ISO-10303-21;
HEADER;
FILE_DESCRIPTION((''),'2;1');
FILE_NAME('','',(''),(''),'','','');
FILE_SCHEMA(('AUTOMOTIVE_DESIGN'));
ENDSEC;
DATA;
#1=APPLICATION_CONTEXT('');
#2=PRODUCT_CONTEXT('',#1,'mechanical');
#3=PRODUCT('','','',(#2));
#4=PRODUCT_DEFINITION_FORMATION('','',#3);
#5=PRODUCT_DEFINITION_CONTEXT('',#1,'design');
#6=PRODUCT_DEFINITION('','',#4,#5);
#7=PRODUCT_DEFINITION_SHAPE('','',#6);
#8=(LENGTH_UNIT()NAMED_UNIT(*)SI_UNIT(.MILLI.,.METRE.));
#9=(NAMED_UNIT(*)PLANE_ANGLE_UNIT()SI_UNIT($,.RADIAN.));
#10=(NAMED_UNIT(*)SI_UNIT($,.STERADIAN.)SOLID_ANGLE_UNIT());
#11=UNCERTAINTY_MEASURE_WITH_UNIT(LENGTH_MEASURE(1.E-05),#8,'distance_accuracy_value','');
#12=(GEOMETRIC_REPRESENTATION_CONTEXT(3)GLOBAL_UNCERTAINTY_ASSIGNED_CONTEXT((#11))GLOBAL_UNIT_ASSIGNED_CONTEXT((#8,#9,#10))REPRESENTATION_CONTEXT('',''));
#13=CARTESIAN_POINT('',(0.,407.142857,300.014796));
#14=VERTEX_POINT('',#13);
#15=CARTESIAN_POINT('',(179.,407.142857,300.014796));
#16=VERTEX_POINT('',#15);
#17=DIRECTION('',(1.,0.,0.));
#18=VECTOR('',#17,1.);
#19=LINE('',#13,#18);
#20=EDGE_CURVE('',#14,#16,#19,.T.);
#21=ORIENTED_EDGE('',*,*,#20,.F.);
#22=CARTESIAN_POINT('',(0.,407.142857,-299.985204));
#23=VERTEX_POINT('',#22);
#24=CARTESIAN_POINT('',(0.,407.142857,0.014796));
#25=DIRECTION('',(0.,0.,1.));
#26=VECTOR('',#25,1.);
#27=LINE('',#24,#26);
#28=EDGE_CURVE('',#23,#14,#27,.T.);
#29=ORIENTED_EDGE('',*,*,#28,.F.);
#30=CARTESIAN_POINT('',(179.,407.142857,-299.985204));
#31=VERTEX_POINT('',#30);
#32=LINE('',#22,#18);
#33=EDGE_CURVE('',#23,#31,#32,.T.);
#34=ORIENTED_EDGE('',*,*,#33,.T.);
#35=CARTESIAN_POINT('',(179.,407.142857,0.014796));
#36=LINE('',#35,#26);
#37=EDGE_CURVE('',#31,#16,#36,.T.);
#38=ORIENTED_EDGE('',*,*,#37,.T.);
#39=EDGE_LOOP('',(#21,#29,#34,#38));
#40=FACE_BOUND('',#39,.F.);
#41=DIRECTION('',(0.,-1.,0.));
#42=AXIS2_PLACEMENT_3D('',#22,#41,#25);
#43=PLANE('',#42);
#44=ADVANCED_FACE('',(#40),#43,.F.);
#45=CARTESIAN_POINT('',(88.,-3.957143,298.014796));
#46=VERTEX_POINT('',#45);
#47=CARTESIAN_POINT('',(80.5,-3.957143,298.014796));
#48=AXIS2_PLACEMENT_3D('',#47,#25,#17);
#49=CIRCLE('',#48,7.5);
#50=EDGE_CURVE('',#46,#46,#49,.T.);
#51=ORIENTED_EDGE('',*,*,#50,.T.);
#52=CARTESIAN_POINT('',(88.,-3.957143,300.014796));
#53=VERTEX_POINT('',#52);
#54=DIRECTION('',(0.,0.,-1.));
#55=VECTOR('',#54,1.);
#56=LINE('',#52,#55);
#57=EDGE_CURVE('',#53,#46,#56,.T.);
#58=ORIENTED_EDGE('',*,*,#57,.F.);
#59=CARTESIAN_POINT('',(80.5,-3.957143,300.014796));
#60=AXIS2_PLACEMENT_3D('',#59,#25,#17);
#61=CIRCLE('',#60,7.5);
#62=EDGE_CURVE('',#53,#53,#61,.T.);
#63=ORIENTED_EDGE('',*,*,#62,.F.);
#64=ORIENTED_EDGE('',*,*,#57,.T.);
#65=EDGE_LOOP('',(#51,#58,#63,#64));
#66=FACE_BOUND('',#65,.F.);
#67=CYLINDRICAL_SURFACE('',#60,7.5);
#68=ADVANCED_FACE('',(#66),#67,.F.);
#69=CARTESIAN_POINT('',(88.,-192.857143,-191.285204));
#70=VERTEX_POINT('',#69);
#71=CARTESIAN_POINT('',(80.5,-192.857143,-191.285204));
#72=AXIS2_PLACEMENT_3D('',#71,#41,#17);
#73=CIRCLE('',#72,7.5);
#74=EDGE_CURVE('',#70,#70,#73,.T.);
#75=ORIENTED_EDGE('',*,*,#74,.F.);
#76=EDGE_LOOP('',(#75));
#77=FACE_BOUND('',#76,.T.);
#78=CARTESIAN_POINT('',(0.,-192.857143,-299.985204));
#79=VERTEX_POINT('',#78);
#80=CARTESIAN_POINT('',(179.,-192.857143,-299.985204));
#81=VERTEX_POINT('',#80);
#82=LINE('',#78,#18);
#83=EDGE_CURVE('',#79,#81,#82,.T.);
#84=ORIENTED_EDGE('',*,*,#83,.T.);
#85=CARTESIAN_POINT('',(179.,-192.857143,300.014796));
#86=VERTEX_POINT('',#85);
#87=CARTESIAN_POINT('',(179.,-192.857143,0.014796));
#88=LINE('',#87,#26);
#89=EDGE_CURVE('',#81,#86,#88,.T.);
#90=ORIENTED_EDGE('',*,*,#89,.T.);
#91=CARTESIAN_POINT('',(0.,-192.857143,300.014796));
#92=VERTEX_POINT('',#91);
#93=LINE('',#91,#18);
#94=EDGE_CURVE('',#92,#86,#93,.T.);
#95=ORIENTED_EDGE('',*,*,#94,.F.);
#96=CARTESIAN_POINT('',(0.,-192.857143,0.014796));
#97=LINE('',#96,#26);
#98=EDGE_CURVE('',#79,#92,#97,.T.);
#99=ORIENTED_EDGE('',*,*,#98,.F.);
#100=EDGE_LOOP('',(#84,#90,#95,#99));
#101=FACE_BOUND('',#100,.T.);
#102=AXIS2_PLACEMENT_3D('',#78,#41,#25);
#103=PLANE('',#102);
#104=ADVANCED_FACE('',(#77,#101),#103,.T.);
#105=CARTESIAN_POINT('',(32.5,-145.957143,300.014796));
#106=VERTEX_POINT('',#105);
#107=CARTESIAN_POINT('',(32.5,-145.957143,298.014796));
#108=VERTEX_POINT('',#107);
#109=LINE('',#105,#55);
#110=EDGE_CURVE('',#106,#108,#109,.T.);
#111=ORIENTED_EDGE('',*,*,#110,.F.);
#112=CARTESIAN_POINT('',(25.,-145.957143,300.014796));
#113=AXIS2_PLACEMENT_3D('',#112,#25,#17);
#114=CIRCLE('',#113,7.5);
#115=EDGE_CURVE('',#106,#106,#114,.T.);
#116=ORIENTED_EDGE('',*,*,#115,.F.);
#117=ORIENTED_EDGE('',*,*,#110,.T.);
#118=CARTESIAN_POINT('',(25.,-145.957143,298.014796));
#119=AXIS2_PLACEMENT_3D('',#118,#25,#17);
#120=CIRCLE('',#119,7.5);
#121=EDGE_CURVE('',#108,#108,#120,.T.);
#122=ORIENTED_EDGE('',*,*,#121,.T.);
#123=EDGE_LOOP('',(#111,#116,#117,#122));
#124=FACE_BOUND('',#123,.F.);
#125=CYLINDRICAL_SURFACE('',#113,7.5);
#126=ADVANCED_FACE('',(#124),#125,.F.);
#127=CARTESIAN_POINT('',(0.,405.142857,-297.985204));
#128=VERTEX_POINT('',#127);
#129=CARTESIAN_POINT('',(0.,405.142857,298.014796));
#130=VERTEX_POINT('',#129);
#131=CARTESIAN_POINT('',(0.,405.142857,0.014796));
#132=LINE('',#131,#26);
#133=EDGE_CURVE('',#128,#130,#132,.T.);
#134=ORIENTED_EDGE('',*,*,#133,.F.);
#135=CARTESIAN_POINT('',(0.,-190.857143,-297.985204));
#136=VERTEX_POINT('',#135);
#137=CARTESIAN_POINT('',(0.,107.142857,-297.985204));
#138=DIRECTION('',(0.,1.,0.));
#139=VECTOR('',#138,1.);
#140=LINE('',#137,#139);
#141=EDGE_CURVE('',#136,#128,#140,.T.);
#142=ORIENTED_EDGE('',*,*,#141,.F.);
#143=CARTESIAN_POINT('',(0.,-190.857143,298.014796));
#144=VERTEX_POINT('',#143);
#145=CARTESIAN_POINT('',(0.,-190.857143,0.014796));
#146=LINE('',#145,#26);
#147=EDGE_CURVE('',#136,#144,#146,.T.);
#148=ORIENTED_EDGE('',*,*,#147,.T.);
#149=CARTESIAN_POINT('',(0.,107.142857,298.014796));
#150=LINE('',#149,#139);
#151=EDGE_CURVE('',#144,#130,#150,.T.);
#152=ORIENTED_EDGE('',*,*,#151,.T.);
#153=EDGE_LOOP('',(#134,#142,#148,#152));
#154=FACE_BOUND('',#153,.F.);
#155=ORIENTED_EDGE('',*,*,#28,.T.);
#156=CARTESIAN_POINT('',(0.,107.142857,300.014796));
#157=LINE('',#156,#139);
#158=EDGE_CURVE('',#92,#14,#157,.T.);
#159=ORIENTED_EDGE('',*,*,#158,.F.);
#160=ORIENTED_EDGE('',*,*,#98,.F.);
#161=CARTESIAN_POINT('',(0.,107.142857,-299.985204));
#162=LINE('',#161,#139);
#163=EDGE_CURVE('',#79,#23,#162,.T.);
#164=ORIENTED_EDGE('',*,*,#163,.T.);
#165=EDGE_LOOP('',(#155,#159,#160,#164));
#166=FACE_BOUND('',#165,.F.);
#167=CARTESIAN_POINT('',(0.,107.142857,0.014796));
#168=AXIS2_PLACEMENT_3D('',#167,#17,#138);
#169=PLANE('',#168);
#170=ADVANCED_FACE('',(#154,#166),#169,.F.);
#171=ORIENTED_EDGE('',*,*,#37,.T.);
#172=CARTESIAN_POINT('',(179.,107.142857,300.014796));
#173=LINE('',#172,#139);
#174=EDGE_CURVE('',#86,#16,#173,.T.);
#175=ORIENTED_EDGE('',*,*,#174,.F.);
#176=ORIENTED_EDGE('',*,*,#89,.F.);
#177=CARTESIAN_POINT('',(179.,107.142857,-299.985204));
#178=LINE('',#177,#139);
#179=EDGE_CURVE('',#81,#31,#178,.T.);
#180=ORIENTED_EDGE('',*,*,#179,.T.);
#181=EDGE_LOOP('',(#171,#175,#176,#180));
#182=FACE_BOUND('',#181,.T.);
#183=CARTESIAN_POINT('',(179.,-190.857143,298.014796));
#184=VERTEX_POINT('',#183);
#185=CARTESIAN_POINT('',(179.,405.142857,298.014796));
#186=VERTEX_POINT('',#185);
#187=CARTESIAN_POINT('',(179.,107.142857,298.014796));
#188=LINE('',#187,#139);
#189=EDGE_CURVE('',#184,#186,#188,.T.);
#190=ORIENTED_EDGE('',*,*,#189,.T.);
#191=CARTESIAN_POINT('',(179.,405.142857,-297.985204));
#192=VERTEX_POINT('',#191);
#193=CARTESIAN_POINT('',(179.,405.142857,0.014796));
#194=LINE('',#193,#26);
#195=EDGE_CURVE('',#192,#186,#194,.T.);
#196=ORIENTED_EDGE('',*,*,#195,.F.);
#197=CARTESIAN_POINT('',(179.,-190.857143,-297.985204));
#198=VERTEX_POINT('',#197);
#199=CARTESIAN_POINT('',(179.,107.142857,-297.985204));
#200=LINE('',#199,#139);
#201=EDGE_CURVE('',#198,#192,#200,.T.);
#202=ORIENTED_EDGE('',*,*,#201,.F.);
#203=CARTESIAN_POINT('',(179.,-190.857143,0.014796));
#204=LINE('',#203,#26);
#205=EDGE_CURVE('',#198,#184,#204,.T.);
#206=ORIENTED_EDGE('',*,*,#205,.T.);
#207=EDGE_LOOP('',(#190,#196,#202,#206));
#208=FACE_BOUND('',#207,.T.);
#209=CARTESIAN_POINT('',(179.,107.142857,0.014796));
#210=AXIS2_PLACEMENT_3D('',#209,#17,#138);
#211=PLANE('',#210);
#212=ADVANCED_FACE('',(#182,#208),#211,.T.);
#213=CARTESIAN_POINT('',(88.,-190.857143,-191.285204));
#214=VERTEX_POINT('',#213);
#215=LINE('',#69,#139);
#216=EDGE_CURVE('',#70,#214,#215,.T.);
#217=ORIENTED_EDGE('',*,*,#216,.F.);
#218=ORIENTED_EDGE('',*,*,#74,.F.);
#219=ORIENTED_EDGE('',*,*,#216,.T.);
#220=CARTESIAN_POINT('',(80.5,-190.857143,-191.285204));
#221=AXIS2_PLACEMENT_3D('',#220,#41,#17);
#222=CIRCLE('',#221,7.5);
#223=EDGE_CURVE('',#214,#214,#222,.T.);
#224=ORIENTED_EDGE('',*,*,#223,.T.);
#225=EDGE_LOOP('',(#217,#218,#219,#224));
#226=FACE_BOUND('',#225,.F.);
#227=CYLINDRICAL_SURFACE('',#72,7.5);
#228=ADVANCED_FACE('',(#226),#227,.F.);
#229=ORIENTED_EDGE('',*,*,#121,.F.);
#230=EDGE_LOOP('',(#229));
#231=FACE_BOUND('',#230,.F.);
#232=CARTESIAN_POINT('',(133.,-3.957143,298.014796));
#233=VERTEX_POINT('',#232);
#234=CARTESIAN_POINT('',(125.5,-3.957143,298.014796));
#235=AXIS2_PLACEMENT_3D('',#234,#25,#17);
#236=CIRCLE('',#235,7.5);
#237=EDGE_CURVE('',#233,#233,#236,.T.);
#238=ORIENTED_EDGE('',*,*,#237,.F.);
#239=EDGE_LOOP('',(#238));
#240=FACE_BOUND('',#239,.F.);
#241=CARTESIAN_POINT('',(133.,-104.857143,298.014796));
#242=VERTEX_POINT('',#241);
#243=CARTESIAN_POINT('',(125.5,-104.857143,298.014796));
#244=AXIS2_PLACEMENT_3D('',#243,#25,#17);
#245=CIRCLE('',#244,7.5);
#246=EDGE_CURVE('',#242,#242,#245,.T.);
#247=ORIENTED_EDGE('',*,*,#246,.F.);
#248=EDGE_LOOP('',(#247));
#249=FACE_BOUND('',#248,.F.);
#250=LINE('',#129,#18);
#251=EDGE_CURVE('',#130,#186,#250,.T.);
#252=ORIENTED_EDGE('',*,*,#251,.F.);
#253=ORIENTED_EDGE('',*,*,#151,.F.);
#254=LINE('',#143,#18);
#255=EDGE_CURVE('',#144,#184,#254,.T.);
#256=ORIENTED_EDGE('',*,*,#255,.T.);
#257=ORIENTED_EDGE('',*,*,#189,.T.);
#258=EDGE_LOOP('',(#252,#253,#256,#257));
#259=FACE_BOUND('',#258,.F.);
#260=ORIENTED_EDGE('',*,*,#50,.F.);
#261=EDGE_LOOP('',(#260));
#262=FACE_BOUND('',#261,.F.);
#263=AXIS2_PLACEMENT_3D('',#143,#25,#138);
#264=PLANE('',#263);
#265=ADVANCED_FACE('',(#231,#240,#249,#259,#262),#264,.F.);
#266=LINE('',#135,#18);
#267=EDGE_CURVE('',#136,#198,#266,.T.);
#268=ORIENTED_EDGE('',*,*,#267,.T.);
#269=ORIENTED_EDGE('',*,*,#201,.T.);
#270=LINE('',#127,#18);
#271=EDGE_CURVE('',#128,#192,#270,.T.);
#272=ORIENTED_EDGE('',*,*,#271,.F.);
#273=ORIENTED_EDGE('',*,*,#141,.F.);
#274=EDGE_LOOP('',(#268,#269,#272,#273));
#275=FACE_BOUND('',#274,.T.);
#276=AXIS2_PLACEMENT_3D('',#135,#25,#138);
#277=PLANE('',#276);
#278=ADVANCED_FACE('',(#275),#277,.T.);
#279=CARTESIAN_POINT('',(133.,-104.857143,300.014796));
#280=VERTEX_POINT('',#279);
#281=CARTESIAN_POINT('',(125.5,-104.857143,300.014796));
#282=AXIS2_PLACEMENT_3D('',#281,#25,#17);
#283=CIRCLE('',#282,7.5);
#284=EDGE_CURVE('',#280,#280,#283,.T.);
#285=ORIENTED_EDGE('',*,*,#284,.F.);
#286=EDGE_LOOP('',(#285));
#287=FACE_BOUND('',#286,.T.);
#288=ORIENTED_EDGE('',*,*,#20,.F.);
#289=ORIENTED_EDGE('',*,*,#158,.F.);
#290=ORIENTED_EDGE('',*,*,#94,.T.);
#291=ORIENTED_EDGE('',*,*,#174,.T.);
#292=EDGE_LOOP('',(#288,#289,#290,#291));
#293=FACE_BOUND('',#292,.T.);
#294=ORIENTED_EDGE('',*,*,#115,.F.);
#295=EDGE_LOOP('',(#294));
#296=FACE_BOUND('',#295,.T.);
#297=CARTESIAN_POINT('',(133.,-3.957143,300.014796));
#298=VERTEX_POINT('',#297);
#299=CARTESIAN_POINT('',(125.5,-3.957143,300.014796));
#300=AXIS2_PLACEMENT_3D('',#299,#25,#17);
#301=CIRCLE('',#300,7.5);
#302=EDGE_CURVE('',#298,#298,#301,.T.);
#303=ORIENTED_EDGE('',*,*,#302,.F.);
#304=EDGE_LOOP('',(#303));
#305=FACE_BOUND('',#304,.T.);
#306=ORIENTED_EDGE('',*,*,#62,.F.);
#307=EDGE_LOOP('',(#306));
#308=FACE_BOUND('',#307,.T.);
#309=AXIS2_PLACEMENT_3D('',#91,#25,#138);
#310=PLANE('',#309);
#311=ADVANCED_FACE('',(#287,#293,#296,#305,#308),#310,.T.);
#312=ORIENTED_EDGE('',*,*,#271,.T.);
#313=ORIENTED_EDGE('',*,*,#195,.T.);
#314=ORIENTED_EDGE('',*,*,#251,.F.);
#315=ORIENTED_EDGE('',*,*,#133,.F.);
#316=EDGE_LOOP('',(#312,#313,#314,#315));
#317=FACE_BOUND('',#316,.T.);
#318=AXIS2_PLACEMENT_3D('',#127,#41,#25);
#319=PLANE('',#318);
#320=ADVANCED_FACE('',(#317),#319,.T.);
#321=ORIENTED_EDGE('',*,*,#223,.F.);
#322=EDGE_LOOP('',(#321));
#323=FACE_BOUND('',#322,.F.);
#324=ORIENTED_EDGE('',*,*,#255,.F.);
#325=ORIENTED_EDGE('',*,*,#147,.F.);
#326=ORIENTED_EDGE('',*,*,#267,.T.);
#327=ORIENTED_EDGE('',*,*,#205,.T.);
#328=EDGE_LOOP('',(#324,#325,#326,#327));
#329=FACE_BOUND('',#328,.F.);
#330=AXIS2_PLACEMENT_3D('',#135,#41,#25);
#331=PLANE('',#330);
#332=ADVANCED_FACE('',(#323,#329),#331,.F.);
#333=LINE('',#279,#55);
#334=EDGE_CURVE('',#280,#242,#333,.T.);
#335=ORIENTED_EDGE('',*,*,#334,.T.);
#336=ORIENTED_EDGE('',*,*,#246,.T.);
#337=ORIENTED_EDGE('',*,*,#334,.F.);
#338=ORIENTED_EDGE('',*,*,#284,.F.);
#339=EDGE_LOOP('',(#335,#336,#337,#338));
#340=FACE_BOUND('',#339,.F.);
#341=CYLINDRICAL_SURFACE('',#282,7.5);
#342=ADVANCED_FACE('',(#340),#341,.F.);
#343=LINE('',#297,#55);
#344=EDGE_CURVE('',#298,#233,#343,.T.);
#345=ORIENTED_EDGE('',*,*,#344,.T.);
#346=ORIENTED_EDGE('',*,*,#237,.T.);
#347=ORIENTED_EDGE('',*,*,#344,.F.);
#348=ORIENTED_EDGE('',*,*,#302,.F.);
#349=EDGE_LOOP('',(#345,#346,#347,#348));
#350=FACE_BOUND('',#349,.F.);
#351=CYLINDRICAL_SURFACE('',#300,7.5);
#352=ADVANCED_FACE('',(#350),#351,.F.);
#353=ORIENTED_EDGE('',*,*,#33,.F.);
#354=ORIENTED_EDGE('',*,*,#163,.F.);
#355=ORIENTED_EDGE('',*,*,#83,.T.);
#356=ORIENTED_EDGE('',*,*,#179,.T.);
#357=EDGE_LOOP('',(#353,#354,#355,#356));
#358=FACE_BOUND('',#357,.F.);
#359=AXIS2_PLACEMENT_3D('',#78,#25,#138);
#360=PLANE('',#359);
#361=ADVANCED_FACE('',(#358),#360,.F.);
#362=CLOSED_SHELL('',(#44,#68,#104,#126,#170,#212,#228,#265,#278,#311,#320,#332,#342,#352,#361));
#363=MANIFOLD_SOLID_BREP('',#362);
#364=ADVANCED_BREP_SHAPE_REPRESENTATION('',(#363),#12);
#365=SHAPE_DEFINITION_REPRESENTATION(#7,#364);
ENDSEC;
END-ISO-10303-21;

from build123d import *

# Parameters (mm, degrees)
F0_W     = 600
F0_H     = 600
F0_W_2   = 596
F0_H_2   = 596
F1_DEPTH = 179
F2_R     = 7.5
F3_DEPTH = 25
F4_R     = 7.5
F5_DEPTH = 25


with BuildPart() as f1:
    # F0 (on Right) → F1 (new body)
    with BuildSketch(Plane.YZ):
        with Locations((107.142857, 0.014796)):
            Rectangle(F0_W, F0_H)
        with Locations((107.142857, 0.014796)):
            Rectangle(F0_W_2, F0_H_2, mode=Mode.SUBTRACT)
    extrude(amount=F1_DEPTH)

    # F2 (on face) → F3 (cut)
    with BuildSketch(Plane.XY.offset(300.014796)):
        with Locations((25, -145.957143)):
            Circle(F2_R)
        with Locations((80.5, -3.957143)):
            Circle(F2_R)
        with Locations((125.5, -3.957143)):
            Circle(F2_R)
        with Locations((125.5, -104.857143)):
            Circle(F2_R)
    extrude(amount=-F3_DEPTH, mode=Mode.SUBTRACT)

    # F4 (on face) → F5 (cut)
    with BuildSketch(Plane.XZ.offset(192.857143)):
        with Locations((80.5, -191.285204)):
            Circle(F4_R)
    extrude(amount=-F5_DEPTH, mode=Mode.SUBTRACT)


solid = f1.part
